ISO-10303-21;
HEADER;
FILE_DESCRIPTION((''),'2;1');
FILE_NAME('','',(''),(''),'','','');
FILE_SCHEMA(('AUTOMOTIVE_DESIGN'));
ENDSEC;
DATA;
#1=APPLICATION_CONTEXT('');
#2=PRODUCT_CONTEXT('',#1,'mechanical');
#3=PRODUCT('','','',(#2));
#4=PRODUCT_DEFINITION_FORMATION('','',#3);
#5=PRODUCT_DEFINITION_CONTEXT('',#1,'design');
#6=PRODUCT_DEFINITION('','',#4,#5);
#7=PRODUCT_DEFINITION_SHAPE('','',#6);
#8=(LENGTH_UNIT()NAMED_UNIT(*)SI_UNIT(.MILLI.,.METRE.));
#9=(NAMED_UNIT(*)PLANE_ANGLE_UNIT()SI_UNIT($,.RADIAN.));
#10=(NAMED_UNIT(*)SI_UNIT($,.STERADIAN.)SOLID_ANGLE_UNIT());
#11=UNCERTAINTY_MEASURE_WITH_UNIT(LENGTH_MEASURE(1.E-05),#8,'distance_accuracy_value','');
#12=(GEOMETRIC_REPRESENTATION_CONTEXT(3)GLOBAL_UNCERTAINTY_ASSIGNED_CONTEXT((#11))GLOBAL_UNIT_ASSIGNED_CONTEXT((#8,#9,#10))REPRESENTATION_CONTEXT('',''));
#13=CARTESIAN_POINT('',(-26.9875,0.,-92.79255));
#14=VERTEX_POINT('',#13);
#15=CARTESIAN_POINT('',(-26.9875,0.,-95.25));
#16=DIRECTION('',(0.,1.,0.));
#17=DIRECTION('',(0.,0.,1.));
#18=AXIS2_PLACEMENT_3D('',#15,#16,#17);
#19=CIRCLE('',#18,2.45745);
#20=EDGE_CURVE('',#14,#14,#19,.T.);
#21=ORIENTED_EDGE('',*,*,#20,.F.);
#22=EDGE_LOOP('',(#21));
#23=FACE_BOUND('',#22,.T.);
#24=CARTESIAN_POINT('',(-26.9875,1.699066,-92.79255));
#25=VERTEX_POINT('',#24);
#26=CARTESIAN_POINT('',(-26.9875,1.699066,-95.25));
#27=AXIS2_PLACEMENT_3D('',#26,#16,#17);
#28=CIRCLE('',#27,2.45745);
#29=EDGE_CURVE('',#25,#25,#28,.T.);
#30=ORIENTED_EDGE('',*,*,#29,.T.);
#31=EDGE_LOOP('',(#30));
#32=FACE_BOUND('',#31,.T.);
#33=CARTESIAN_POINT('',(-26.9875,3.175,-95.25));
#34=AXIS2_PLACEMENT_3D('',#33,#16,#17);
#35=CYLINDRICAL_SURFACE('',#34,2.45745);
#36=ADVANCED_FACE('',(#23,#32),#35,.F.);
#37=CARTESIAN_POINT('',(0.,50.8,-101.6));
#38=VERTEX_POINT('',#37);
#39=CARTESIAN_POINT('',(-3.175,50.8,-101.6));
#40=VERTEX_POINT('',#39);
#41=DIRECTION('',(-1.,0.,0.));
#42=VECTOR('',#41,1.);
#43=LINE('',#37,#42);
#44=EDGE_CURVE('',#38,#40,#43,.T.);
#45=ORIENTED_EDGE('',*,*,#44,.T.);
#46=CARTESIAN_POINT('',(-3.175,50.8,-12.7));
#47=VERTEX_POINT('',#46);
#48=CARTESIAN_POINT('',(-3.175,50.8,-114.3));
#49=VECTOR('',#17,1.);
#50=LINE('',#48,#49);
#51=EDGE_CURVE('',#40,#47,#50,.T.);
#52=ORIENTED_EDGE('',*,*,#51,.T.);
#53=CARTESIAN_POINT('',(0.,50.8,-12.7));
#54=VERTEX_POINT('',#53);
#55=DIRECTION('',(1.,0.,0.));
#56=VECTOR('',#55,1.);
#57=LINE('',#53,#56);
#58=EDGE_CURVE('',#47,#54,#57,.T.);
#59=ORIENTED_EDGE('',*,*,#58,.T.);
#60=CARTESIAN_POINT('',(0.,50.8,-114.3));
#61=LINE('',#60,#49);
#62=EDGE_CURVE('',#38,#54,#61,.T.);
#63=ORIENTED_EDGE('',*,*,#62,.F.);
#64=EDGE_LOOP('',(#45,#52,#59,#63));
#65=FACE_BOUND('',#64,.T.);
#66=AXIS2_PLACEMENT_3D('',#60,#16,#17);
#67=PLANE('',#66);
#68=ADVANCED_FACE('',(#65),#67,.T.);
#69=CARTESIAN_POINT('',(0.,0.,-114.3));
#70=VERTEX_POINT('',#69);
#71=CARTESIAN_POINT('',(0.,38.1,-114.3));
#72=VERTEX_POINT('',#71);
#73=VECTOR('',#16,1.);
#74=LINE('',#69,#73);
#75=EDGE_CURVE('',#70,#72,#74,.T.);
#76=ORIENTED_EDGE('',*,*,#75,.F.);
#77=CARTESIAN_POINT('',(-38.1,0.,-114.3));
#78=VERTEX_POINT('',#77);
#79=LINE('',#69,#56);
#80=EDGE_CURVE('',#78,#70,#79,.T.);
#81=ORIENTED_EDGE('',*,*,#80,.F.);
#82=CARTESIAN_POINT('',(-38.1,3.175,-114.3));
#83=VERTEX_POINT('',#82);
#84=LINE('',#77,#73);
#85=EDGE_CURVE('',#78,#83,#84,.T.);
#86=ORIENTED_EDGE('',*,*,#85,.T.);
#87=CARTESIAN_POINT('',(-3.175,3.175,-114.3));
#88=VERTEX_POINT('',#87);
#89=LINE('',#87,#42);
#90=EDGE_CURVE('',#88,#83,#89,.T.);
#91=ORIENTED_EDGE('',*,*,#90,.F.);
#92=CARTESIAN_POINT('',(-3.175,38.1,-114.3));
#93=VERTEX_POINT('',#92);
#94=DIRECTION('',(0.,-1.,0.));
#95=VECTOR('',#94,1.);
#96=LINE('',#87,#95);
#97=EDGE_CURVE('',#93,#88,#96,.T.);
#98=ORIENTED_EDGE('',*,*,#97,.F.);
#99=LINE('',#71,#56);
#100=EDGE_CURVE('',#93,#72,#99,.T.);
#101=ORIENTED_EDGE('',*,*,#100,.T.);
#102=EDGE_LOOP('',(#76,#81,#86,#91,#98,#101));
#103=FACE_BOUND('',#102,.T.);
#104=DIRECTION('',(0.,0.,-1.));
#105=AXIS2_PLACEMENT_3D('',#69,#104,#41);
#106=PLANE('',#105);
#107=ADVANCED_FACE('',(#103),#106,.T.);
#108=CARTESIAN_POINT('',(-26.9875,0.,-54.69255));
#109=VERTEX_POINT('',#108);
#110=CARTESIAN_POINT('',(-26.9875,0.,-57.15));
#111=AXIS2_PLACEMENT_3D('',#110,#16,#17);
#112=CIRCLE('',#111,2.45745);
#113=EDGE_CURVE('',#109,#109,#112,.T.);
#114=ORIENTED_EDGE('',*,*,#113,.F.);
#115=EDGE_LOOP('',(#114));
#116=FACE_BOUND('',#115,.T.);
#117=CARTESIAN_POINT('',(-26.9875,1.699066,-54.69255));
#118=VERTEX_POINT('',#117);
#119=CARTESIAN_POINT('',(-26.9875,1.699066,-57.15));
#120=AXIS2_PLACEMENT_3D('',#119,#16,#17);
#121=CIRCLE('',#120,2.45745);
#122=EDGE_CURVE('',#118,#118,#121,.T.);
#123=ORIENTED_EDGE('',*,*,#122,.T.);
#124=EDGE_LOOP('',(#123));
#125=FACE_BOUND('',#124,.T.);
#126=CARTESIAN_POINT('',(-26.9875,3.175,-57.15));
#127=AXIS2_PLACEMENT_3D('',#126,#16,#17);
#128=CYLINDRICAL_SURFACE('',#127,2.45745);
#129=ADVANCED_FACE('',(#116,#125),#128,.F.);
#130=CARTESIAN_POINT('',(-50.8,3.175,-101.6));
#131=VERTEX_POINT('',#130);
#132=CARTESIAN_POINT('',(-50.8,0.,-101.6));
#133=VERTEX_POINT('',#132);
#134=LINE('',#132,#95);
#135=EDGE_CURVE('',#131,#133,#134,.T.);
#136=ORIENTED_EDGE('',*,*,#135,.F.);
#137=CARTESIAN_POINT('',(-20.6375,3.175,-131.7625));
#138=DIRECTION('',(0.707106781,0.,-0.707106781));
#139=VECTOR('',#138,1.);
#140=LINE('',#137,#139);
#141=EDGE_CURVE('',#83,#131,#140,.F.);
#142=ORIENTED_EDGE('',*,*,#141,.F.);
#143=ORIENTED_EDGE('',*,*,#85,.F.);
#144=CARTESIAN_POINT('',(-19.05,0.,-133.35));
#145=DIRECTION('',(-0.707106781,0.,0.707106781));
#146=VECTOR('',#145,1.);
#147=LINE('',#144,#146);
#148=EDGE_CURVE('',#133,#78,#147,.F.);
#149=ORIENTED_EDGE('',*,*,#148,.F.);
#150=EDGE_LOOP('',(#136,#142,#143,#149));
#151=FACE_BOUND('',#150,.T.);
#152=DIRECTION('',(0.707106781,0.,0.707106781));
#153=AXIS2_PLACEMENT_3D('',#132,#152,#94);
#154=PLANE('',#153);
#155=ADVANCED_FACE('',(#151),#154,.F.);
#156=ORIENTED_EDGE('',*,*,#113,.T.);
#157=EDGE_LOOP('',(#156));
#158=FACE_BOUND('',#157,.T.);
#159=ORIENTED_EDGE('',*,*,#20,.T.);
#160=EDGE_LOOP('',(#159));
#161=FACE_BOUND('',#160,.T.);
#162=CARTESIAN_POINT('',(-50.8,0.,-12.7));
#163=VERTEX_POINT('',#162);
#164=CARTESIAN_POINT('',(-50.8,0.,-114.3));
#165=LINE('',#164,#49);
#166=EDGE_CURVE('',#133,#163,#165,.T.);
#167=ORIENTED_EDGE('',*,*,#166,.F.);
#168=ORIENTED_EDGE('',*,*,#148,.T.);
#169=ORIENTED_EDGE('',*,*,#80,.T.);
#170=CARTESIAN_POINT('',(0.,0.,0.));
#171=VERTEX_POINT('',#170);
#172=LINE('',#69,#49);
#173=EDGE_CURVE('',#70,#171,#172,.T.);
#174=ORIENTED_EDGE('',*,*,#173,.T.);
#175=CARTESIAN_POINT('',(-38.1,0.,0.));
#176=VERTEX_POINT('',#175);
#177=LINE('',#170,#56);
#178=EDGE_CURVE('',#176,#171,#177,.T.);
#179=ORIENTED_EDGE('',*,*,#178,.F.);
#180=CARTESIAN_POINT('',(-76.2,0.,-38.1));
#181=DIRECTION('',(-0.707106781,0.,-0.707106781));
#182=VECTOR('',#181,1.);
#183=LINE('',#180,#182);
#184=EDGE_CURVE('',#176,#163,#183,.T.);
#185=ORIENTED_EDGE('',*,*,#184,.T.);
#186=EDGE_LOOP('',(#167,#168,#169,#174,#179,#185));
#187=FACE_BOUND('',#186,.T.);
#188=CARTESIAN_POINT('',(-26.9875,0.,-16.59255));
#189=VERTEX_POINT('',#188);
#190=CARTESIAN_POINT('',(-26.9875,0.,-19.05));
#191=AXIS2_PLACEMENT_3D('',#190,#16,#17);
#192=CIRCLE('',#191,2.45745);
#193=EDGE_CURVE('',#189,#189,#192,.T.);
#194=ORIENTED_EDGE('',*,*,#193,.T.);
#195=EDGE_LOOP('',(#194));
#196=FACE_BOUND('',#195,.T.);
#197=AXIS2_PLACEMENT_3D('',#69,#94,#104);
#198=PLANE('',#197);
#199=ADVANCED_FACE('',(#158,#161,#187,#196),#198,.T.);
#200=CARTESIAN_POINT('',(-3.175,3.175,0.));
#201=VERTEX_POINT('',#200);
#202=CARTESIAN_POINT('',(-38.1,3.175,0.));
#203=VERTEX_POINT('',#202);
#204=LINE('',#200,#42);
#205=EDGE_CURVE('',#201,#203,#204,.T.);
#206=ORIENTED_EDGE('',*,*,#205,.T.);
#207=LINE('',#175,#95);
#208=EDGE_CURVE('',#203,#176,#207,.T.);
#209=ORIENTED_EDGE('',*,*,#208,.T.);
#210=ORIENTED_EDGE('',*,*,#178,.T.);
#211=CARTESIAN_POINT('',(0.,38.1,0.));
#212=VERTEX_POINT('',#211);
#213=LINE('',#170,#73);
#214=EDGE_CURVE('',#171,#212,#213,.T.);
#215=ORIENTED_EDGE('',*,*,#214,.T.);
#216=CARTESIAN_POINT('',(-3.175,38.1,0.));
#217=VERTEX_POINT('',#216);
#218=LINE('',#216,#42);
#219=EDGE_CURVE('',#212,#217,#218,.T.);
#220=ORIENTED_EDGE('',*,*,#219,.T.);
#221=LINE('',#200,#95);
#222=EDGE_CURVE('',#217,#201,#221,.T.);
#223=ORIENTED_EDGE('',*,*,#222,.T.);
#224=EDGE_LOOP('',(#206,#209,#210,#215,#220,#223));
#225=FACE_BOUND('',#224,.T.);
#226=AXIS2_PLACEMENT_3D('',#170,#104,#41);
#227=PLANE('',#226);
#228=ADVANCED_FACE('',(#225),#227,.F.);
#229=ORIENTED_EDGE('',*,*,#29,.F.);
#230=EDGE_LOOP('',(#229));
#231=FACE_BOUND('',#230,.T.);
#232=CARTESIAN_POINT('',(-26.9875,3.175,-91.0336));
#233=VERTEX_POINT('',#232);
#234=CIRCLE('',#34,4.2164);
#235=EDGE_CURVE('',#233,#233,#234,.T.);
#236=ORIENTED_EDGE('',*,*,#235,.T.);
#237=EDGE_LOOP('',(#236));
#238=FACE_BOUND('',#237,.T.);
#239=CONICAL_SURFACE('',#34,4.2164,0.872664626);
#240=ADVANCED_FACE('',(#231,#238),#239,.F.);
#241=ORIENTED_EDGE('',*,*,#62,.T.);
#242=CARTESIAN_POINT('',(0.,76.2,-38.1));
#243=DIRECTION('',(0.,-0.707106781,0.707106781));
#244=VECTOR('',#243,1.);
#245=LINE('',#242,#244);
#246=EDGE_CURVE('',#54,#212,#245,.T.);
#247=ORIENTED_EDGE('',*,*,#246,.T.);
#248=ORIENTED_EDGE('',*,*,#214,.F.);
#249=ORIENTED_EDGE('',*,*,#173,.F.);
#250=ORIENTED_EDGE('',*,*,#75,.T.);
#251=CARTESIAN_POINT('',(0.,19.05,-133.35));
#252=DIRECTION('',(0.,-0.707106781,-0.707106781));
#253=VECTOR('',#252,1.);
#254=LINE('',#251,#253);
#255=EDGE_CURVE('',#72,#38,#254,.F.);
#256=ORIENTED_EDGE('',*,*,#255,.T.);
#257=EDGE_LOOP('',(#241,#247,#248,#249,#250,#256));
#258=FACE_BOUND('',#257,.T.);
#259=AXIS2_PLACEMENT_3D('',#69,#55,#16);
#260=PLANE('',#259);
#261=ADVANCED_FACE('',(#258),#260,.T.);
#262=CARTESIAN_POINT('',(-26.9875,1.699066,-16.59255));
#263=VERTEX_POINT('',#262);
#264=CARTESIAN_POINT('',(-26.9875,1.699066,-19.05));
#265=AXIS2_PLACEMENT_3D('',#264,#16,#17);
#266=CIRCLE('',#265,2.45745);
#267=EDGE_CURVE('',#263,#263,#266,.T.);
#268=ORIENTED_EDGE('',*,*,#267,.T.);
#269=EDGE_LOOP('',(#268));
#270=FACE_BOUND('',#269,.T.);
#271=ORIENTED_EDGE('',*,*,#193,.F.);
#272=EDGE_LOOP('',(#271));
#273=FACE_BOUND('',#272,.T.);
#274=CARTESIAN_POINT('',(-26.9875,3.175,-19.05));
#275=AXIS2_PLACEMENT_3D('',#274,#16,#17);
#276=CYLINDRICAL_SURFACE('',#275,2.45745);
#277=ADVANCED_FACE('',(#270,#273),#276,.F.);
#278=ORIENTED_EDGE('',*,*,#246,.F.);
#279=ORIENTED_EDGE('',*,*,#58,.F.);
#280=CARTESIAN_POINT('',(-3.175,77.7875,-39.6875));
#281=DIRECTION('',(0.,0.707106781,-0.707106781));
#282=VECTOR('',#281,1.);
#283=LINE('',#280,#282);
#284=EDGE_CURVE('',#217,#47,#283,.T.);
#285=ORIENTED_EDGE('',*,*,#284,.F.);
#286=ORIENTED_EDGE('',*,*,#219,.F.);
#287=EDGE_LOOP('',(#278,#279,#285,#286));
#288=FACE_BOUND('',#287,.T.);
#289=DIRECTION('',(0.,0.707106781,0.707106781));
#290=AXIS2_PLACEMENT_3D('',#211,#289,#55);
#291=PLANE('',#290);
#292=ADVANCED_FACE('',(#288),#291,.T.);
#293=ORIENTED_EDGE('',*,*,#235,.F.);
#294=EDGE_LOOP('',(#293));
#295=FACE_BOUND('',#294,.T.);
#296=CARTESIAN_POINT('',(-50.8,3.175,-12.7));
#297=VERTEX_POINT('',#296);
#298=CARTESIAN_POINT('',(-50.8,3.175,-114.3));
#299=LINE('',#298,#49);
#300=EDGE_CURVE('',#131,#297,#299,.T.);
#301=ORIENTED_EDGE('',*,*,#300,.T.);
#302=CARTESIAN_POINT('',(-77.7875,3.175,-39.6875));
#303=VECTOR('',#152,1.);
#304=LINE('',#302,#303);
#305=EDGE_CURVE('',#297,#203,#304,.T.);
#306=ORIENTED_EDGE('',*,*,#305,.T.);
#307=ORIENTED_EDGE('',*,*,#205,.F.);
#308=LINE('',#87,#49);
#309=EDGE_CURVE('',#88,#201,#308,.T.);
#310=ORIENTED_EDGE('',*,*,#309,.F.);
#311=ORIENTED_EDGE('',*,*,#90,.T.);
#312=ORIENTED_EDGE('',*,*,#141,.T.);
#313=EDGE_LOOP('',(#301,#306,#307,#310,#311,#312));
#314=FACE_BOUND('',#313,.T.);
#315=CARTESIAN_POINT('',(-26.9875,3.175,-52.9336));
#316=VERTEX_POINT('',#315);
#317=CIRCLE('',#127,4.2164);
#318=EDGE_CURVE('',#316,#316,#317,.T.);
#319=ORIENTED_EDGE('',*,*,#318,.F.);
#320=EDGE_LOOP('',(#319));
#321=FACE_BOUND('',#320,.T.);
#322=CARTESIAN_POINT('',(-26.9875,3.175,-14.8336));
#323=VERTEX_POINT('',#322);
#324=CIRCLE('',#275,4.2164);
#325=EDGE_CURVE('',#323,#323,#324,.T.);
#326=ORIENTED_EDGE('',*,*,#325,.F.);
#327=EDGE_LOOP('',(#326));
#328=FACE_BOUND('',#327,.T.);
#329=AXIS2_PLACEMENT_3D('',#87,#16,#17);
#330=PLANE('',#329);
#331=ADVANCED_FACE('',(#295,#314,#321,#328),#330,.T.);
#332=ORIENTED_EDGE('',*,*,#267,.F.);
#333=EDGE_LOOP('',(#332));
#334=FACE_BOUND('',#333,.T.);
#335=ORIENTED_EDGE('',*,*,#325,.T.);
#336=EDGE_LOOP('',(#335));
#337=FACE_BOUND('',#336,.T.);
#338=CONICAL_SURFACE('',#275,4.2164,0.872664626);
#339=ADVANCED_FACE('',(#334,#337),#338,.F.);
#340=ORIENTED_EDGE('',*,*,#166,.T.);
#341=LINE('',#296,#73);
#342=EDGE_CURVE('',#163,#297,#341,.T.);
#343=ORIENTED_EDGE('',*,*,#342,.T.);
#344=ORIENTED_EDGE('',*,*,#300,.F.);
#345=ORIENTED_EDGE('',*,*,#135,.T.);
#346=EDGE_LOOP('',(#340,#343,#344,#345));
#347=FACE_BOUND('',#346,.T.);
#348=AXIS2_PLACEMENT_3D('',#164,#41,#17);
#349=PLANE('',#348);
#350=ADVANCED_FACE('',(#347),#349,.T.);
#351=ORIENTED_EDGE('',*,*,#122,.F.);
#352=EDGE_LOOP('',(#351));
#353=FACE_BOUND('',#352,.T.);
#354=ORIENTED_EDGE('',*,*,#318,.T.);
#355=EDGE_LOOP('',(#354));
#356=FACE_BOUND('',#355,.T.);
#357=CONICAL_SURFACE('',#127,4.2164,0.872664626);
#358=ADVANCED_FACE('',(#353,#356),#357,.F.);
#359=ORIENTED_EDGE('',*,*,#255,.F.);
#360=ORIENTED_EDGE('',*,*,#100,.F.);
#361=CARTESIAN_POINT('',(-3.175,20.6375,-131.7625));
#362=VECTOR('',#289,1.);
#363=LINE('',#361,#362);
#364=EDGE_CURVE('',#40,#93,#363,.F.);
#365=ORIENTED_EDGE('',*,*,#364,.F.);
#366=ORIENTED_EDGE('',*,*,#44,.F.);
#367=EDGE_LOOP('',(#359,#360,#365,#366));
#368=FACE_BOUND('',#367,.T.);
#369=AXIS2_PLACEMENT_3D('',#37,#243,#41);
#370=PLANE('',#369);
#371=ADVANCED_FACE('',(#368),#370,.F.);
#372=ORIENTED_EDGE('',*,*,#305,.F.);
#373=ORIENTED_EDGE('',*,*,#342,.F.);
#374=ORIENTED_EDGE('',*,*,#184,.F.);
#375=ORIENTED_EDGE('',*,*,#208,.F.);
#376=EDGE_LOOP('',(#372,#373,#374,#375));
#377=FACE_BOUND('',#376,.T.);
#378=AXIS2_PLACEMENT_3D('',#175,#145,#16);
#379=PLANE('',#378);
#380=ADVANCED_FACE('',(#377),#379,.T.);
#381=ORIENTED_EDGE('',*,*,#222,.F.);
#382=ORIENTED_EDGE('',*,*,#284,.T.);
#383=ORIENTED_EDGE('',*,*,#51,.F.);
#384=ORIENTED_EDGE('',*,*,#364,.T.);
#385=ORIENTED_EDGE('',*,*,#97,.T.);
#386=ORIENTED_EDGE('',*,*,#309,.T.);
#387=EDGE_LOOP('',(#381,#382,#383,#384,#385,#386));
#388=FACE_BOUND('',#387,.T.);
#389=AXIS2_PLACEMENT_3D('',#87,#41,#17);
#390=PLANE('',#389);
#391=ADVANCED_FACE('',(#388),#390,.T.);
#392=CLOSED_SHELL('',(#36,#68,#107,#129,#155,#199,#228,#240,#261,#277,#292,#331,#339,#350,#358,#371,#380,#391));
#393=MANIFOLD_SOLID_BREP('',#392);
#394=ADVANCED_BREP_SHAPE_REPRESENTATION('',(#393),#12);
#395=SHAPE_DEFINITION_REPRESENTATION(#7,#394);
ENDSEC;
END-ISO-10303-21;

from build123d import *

# Parameters (mm, degrees)
BOSS_EXTRUDE1_DEPTH                       = 114.3
CHAMFER1_SIZE                             = 12.7
CSK_FOR_8_FLAT_HEAD_MACHINE_SCREW_2_COUNT = 2
CSK_FOR_8_FLAT_HEAD_MACHINE_SCREW_2_PITCH = 76.2
CSK_FOR_8_FLAT_HEAD_MACHINE_SCREW_3_COUNT = 2
CSK_FOR_8_FLAT_HEAD_MACHINE_SCREW_3_PITCH = 38.1
CSK_FOR_8_FLAT_HEAD_MACHINE_SCREW_4_COUNT = 2
CSK_FOR_8_FLAT_HEAD_MACHINE_SCREW_4_PITCH = 44.45


with BuildPart() as part:
    # Sketch2 → Boss-Extrude1 (new body)
    with BuildSketch(Plane.XY):
        Polygon((0, 0), (0, 50.8), (-3.175, 50.8), (-3.175, 3.175), (-50.8, 3.175), (-50.8, 0), align=None)
    extrude(amount=-BOSS_EXTRUDE1_DEPTH)

    # Chamfer1
    chamfer1_edges = [part.edges().sort_by_distance(p)[0] for p in [
        (-1.5875, 50.8, -114.3),
        (-50.8, 1.5875, -114.3),
        (-50.8, 1.5875, 0),
        (-1.5875, 50.8, 0),
    ]]
    chamfer(chamfer1_edges, length=CHAMFER1_SIZE)

    # Sketch4 → CSK for #8 Flat Head Machine Screw (100)1 (revolve, cut)
    with BuildSketch(Plane(origin=(-26.9875, 3.175, -95.25), x_dir=(0, 0, 1), z_dir=(1, 0, 0))):
        Polygon((0, 0), (0, 3.175), (2.45745, 3.175), (2.45745, 1.475934296), (4.2164, 0), align=None)
    csk_for_8_flat_head_machine_screw_100 = revolve(axis=Axis((-26.9875, 9.525, -95.25), (0, -1, 0)), mode=Mode.SUBTRACT)

    # CSK for _8 Flat Head Machine Screw _ 2: CSK for #8 Flat Head Machine Screw (100)1 ×2
    with Locations(*[(0, 0, i * CSK_FOR_8_FLAT_HEAD_MACHINE_SCREW_2_PITCH) for i in range(1, CSK_FOR_8_FLAT_HEAD_MACHINE_SCREW_2_COUNT)]):
        add(csk_for_8_flat_head_machine_screw_100, mode=Mode.SUBTRACT)

    # CSK for _8 Flat Head Machine Screw _ 3: CSK for #8 Flat Head Machine Screw (100)1 ×2
    with Locations(*[(0, 0, i * CSK_FOR_8_FLAT_HEAD_MACHINE_SCREW_3_PITCH) for i in range(1, CSK_FOR_8_FLAT_HEAD_MACHINE_SCREW_3_COUNT)]):
        add(csk_for_8_flat_head_machine_screw_100, mode=Mode.SUBTRACT)

    # CSK for _8 Flat Head Machine Screw _ 4: CSK for #8 Flat Head Machine Screw (100)1 ×2
    with Locations(*[(0, 0, -i * CSK_FOR_8_FLAT_HEAD_MACHINE_SCREW_4_PITCH) for i in range(1, CSK_FOR_8_FLAT_HEAD_MACHINE_SCREW_4_COUNT)]):
        add(csk_for_8_flat_head_machine_screw_100, mode=Mode.SUBTRACT)


solid = part.part
